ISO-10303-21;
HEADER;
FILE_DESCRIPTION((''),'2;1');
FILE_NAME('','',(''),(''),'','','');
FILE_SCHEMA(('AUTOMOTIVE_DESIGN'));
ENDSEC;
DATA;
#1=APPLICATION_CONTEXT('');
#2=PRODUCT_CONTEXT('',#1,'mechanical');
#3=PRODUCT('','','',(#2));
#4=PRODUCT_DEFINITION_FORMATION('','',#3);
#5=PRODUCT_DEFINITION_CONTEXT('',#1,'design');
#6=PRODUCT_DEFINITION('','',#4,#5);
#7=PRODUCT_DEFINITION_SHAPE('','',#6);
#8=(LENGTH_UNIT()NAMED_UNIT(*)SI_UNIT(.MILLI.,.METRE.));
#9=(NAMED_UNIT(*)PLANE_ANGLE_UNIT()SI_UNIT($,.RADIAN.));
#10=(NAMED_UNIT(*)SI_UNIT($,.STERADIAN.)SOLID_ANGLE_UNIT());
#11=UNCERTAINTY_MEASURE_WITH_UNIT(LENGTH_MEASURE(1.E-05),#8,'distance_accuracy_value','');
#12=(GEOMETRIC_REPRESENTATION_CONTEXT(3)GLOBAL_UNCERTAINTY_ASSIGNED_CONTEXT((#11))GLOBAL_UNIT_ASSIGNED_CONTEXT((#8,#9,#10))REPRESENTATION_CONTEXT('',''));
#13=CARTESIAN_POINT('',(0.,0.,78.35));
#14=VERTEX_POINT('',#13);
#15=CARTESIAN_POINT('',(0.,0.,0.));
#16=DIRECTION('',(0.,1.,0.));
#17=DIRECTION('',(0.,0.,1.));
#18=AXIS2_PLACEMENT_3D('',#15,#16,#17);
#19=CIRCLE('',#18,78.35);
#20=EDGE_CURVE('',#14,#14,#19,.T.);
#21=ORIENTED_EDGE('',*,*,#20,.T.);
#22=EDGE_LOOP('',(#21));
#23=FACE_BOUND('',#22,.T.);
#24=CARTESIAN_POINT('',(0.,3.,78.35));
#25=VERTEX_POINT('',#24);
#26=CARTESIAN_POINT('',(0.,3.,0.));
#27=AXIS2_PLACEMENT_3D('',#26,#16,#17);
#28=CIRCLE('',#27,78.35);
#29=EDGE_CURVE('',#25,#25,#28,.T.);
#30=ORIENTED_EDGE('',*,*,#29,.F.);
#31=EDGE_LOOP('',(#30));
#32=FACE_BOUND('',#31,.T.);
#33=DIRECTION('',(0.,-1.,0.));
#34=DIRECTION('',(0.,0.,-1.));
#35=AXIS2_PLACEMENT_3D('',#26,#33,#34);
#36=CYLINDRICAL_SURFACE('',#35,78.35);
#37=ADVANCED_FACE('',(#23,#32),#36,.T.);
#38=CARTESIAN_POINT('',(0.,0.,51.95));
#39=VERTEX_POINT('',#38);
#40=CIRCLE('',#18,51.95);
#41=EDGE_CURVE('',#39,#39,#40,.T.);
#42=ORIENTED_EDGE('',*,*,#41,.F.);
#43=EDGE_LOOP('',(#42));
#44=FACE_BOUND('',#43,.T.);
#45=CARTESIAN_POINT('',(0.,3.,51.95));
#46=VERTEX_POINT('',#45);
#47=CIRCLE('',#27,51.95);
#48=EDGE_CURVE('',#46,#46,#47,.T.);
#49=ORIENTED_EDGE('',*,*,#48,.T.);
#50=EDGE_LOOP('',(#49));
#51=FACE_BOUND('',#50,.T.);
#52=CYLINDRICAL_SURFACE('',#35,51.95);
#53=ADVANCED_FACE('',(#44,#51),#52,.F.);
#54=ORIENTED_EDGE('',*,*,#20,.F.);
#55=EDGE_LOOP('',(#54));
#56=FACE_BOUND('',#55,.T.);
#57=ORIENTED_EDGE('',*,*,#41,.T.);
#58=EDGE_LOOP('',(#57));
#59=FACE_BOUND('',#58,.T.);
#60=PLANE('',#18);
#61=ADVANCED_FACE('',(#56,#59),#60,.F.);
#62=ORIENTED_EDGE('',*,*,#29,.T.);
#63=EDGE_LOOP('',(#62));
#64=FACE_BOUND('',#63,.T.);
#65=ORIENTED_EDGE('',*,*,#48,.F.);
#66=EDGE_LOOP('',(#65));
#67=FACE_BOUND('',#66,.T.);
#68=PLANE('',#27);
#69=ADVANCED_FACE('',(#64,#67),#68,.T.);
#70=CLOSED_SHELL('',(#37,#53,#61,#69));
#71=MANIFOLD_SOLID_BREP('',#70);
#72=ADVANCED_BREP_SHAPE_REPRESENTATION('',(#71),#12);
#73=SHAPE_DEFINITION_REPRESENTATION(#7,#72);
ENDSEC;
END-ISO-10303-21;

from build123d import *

# Parameters (mm, degrees)
SKETCH1_R           = 78.35
SKETCH1_R_2         = 51.95
BOSS_EXTRUDE1_DEPTH = 3


with BuildPart() as part:
    # Sketch1 → Boss-Extrude1 (new body)
    with BuildSketch(Plane(origin=(0, 0, 0), x_dir=(1, 0, 0), z_dir=(0, 1, 0))):
        with Locations(Location((0, 0, 0), (0, 0, 270))):
            Circle(SKETCH1_R)
        with Locations(Location((0, 0, 0), (0, 0, 270))):
            Circle(SKETCH1_R_2, mode=Mode.SUBTRACT)
    extrude(amount=BOSS_EXTRUDE1_DEPTH)


solid = part.part
